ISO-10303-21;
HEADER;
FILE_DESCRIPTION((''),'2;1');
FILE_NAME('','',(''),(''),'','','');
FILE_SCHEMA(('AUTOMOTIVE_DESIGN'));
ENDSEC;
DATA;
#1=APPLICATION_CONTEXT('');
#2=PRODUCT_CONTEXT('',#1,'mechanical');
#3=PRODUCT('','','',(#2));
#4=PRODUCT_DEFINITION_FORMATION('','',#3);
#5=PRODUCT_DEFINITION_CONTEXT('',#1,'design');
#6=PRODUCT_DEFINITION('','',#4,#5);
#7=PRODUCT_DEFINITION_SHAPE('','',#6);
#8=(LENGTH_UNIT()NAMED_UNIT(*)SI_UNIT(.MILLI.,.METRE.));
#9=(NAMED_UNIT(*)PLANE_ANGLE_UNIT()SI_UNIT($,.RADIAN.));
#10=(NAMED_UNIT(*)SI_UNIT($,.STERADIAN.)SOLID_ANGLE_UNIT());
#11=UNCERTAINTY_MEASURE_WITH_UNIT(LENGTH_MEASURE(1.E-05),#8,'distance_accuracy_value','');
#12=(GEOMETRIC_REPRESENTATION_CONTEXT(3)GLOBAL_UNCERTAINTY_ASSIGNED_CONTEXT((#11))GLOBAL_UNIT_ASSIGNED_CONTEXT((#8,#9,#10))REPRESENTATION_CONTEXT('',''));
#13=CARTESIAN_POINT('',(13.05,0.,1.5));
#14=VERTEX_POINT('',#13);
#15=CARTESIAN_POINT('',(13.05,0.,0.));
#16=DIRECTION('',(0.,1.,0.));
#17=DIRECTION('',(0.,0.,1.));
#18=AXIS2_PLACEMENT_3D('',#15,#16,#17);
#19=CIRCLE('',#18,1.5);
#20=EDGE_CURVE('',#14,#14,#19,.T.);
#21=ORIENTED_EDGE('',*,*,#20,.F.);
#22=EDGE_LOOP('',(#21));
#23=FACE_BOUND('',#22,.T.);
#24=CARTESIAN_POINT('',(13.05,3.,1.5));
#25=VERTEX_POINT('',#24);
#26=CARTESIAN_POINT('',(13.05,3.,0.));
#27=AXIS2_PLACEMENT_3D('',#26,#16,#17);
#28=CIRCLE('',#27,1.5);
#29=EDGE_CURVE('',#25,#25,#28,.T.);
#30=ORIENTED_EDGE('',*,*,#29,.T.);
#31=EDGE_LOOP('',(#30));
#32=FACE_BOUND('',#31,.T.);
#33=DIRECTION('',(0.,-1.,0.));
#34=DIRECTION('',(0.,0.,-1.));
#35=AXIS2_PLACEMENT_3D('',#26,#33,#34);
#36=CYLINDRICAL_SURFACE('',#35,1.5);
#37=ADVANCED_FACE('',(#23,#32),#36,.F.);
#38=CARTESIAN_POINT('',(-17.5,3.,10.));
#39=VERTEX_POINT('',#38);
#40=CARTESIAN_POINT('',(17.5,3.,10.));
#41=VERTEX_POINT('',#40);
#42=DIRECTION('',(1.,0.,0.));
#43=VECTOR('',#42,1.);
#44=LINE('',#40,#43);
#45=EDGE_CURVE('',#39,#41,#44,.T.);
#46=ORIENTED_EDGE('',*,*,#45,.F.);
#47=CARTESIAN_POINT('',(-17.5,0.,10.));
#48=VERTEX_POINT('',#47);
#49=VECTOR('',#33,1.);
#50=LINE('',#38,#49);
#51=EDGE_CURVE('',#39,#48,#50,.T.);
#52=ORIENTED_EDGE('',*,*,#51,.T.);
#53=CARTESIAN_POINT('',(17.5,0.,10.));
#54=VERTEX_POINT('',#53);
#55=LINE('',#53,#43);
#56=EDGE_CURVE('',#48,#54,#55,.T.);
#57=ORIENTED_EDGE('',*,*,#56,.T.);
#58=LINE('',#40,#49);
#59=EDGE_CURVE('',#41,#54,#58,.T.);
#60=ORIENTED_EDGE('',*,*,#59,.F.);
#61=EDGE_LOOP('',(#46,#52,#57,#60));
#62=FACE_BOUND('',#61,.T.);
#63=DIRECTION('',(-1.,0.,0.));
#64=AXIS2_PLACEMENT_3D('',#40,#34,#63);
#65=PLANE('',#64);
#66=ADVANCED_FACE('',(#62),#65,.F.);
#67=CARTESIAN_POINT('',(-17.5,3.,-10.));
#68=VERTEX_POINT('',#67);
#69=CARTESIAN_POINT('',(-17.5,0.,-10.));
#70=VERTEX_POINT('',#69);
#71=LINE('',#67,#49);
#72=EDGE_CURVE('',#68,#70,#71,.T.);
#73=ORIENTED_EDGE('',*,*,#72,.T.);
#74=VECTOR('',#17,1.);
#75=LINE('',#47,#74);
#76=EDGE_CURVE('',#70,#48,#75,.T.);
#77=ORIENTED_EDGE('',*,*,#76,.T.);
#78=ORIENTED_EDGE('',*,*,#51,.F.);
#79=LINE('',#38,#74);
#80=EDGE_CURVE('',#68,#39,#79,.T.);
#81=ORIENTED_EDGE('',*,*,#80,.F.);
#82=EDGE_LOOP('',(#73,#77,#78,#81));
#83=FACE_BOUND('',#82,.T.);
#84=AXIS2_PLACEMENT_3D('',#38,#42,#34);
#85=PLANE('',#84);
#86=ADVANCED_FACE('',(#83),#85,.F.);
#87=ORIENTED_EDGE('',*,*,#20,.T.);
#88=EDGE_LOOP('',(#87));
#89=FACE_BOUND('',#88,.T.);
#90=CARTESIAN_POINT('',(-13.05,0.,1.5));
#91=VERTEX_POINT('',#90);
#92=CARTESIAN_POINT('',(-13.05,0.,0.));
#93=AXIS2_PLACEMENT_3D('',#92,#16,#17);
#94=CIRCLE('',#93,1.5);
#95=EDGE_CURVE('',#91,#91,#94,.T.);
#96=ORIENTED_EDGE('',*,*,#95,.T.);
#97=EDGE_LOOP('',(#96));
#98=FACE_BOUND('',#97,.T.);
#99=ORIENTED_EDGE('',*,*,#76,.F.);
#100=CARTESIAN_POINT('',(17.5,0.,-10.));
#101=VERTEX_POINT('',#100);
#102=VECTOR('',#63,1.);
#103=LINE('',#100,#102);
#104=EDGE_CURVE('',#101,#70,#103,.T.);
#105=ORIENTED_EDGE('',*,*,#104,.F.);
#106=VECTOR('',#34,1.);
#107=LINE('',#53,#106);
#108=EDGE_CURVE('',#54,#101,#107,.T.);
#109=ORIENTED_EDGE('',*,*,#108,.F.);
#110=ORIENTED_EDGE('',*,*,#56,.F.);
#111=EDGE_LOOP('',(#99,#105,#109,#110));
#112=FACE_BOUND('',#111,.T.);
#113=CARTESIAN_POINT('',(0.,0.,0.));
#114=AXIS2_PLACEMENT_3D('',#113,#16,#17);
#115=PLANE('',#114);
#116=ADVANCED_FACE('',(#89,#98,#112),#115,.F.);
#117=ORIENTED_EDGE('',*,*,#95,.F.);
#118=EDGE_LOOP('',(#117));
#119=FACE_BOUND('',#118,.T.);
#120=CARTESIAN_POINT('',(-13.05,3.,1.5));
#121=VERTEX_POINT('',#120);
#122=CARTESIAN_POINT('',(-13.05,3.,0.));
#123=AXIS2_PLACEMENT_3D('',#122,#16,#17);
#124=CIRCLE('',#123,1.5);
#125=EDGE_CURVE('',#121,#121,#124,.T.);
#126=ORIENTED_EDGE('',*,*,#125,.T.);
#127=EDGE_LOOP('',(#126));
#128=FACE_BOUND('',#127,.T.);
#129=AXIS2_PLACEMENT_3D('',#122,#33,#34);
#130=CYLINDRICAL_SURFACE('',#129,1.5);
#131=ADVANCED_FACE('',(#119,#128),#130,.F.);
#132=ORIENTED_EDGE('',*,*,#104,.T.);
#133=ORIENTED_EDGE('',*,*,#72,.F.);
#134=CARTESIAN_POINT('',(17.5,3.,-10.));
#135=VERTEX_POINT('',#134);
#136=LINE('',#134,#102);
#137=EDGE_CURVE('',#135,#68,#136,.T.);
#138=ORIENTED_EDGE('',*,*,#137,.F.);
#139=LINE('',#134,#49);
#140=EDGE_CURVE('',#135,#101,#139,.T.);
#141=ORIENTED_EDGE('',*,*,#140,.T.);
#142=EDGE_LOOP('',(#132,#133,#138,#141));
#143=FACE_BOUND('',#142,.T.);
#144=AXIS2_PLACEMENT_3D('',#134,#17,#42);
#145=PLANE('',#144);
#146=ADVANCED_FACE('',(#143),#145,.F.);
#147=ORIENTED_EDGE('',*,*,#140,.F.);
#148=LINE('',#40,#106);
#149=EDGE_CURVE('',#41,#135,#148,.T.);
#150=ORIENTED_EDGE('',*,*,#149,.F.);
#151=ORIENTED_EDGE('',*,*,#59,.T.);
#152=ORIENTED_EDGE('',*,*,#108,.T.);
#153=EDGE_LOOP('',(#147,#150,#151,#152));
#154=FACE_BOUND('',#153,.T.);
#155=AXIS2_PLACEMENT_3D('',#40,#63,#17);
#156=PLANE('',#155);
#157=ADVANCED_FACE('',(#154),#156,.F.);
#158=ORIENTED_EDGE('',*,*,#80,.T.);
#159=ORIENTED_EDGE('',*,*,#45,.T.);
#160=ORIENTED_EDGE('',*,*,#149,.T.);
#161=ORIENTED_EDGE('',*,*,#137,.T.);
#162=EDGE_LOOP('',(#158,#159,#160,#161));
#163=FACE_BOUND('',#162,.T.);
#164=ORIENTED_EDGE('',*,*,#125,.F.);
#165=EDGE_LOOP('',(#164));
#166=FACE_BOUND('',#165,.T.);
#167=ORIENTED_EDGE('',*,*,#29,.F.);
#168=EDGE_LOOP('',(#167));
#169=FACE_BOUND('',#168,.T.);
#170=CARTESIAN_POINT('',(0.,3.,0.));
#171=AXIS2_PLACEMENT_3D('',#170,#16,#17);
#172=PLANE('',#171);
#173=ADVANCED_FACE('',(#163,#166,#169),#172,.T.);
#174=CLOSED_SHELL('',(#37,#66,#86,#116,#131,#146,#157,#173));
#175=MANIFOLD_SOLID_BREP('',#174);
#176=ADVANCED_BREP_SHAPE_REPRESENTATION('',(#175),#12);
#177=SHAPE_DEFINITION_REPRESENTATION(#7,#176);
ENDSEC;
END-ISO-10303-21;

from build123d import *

# Parameters (mm, degrees)
SKETCH2_W           = 35
SKETCH2_H           = 20
SKETCH2_R           = 1.5
BOSS_EXTRUDE1_DEPTH = 3


with BuildPart() as part:
    # Sketch2 → Boss-Extrude1 (new body)
    with BuildSketch(Plane(origin=(0, 0, 0), x_dir=(1, 0, 0), z_dir=(0, 1, 0))):
        Rectangle(SKETCH2_W, SKETCH2_H)
        with Locations(Location((-13.05, 0, 0), (0, 0, 270))):
            Circle(SKETCH2_R, mode=Mode.SUBTRACT)
        with Locations(Location((13.05, 0, 0), (0, 0, 270))):
            Circle(SKETCH2_R, mode=Mode.SUBTRACT)
    extrude(amount=BOSS_EXTRUDE1_DEPTH)


solid = part.part
